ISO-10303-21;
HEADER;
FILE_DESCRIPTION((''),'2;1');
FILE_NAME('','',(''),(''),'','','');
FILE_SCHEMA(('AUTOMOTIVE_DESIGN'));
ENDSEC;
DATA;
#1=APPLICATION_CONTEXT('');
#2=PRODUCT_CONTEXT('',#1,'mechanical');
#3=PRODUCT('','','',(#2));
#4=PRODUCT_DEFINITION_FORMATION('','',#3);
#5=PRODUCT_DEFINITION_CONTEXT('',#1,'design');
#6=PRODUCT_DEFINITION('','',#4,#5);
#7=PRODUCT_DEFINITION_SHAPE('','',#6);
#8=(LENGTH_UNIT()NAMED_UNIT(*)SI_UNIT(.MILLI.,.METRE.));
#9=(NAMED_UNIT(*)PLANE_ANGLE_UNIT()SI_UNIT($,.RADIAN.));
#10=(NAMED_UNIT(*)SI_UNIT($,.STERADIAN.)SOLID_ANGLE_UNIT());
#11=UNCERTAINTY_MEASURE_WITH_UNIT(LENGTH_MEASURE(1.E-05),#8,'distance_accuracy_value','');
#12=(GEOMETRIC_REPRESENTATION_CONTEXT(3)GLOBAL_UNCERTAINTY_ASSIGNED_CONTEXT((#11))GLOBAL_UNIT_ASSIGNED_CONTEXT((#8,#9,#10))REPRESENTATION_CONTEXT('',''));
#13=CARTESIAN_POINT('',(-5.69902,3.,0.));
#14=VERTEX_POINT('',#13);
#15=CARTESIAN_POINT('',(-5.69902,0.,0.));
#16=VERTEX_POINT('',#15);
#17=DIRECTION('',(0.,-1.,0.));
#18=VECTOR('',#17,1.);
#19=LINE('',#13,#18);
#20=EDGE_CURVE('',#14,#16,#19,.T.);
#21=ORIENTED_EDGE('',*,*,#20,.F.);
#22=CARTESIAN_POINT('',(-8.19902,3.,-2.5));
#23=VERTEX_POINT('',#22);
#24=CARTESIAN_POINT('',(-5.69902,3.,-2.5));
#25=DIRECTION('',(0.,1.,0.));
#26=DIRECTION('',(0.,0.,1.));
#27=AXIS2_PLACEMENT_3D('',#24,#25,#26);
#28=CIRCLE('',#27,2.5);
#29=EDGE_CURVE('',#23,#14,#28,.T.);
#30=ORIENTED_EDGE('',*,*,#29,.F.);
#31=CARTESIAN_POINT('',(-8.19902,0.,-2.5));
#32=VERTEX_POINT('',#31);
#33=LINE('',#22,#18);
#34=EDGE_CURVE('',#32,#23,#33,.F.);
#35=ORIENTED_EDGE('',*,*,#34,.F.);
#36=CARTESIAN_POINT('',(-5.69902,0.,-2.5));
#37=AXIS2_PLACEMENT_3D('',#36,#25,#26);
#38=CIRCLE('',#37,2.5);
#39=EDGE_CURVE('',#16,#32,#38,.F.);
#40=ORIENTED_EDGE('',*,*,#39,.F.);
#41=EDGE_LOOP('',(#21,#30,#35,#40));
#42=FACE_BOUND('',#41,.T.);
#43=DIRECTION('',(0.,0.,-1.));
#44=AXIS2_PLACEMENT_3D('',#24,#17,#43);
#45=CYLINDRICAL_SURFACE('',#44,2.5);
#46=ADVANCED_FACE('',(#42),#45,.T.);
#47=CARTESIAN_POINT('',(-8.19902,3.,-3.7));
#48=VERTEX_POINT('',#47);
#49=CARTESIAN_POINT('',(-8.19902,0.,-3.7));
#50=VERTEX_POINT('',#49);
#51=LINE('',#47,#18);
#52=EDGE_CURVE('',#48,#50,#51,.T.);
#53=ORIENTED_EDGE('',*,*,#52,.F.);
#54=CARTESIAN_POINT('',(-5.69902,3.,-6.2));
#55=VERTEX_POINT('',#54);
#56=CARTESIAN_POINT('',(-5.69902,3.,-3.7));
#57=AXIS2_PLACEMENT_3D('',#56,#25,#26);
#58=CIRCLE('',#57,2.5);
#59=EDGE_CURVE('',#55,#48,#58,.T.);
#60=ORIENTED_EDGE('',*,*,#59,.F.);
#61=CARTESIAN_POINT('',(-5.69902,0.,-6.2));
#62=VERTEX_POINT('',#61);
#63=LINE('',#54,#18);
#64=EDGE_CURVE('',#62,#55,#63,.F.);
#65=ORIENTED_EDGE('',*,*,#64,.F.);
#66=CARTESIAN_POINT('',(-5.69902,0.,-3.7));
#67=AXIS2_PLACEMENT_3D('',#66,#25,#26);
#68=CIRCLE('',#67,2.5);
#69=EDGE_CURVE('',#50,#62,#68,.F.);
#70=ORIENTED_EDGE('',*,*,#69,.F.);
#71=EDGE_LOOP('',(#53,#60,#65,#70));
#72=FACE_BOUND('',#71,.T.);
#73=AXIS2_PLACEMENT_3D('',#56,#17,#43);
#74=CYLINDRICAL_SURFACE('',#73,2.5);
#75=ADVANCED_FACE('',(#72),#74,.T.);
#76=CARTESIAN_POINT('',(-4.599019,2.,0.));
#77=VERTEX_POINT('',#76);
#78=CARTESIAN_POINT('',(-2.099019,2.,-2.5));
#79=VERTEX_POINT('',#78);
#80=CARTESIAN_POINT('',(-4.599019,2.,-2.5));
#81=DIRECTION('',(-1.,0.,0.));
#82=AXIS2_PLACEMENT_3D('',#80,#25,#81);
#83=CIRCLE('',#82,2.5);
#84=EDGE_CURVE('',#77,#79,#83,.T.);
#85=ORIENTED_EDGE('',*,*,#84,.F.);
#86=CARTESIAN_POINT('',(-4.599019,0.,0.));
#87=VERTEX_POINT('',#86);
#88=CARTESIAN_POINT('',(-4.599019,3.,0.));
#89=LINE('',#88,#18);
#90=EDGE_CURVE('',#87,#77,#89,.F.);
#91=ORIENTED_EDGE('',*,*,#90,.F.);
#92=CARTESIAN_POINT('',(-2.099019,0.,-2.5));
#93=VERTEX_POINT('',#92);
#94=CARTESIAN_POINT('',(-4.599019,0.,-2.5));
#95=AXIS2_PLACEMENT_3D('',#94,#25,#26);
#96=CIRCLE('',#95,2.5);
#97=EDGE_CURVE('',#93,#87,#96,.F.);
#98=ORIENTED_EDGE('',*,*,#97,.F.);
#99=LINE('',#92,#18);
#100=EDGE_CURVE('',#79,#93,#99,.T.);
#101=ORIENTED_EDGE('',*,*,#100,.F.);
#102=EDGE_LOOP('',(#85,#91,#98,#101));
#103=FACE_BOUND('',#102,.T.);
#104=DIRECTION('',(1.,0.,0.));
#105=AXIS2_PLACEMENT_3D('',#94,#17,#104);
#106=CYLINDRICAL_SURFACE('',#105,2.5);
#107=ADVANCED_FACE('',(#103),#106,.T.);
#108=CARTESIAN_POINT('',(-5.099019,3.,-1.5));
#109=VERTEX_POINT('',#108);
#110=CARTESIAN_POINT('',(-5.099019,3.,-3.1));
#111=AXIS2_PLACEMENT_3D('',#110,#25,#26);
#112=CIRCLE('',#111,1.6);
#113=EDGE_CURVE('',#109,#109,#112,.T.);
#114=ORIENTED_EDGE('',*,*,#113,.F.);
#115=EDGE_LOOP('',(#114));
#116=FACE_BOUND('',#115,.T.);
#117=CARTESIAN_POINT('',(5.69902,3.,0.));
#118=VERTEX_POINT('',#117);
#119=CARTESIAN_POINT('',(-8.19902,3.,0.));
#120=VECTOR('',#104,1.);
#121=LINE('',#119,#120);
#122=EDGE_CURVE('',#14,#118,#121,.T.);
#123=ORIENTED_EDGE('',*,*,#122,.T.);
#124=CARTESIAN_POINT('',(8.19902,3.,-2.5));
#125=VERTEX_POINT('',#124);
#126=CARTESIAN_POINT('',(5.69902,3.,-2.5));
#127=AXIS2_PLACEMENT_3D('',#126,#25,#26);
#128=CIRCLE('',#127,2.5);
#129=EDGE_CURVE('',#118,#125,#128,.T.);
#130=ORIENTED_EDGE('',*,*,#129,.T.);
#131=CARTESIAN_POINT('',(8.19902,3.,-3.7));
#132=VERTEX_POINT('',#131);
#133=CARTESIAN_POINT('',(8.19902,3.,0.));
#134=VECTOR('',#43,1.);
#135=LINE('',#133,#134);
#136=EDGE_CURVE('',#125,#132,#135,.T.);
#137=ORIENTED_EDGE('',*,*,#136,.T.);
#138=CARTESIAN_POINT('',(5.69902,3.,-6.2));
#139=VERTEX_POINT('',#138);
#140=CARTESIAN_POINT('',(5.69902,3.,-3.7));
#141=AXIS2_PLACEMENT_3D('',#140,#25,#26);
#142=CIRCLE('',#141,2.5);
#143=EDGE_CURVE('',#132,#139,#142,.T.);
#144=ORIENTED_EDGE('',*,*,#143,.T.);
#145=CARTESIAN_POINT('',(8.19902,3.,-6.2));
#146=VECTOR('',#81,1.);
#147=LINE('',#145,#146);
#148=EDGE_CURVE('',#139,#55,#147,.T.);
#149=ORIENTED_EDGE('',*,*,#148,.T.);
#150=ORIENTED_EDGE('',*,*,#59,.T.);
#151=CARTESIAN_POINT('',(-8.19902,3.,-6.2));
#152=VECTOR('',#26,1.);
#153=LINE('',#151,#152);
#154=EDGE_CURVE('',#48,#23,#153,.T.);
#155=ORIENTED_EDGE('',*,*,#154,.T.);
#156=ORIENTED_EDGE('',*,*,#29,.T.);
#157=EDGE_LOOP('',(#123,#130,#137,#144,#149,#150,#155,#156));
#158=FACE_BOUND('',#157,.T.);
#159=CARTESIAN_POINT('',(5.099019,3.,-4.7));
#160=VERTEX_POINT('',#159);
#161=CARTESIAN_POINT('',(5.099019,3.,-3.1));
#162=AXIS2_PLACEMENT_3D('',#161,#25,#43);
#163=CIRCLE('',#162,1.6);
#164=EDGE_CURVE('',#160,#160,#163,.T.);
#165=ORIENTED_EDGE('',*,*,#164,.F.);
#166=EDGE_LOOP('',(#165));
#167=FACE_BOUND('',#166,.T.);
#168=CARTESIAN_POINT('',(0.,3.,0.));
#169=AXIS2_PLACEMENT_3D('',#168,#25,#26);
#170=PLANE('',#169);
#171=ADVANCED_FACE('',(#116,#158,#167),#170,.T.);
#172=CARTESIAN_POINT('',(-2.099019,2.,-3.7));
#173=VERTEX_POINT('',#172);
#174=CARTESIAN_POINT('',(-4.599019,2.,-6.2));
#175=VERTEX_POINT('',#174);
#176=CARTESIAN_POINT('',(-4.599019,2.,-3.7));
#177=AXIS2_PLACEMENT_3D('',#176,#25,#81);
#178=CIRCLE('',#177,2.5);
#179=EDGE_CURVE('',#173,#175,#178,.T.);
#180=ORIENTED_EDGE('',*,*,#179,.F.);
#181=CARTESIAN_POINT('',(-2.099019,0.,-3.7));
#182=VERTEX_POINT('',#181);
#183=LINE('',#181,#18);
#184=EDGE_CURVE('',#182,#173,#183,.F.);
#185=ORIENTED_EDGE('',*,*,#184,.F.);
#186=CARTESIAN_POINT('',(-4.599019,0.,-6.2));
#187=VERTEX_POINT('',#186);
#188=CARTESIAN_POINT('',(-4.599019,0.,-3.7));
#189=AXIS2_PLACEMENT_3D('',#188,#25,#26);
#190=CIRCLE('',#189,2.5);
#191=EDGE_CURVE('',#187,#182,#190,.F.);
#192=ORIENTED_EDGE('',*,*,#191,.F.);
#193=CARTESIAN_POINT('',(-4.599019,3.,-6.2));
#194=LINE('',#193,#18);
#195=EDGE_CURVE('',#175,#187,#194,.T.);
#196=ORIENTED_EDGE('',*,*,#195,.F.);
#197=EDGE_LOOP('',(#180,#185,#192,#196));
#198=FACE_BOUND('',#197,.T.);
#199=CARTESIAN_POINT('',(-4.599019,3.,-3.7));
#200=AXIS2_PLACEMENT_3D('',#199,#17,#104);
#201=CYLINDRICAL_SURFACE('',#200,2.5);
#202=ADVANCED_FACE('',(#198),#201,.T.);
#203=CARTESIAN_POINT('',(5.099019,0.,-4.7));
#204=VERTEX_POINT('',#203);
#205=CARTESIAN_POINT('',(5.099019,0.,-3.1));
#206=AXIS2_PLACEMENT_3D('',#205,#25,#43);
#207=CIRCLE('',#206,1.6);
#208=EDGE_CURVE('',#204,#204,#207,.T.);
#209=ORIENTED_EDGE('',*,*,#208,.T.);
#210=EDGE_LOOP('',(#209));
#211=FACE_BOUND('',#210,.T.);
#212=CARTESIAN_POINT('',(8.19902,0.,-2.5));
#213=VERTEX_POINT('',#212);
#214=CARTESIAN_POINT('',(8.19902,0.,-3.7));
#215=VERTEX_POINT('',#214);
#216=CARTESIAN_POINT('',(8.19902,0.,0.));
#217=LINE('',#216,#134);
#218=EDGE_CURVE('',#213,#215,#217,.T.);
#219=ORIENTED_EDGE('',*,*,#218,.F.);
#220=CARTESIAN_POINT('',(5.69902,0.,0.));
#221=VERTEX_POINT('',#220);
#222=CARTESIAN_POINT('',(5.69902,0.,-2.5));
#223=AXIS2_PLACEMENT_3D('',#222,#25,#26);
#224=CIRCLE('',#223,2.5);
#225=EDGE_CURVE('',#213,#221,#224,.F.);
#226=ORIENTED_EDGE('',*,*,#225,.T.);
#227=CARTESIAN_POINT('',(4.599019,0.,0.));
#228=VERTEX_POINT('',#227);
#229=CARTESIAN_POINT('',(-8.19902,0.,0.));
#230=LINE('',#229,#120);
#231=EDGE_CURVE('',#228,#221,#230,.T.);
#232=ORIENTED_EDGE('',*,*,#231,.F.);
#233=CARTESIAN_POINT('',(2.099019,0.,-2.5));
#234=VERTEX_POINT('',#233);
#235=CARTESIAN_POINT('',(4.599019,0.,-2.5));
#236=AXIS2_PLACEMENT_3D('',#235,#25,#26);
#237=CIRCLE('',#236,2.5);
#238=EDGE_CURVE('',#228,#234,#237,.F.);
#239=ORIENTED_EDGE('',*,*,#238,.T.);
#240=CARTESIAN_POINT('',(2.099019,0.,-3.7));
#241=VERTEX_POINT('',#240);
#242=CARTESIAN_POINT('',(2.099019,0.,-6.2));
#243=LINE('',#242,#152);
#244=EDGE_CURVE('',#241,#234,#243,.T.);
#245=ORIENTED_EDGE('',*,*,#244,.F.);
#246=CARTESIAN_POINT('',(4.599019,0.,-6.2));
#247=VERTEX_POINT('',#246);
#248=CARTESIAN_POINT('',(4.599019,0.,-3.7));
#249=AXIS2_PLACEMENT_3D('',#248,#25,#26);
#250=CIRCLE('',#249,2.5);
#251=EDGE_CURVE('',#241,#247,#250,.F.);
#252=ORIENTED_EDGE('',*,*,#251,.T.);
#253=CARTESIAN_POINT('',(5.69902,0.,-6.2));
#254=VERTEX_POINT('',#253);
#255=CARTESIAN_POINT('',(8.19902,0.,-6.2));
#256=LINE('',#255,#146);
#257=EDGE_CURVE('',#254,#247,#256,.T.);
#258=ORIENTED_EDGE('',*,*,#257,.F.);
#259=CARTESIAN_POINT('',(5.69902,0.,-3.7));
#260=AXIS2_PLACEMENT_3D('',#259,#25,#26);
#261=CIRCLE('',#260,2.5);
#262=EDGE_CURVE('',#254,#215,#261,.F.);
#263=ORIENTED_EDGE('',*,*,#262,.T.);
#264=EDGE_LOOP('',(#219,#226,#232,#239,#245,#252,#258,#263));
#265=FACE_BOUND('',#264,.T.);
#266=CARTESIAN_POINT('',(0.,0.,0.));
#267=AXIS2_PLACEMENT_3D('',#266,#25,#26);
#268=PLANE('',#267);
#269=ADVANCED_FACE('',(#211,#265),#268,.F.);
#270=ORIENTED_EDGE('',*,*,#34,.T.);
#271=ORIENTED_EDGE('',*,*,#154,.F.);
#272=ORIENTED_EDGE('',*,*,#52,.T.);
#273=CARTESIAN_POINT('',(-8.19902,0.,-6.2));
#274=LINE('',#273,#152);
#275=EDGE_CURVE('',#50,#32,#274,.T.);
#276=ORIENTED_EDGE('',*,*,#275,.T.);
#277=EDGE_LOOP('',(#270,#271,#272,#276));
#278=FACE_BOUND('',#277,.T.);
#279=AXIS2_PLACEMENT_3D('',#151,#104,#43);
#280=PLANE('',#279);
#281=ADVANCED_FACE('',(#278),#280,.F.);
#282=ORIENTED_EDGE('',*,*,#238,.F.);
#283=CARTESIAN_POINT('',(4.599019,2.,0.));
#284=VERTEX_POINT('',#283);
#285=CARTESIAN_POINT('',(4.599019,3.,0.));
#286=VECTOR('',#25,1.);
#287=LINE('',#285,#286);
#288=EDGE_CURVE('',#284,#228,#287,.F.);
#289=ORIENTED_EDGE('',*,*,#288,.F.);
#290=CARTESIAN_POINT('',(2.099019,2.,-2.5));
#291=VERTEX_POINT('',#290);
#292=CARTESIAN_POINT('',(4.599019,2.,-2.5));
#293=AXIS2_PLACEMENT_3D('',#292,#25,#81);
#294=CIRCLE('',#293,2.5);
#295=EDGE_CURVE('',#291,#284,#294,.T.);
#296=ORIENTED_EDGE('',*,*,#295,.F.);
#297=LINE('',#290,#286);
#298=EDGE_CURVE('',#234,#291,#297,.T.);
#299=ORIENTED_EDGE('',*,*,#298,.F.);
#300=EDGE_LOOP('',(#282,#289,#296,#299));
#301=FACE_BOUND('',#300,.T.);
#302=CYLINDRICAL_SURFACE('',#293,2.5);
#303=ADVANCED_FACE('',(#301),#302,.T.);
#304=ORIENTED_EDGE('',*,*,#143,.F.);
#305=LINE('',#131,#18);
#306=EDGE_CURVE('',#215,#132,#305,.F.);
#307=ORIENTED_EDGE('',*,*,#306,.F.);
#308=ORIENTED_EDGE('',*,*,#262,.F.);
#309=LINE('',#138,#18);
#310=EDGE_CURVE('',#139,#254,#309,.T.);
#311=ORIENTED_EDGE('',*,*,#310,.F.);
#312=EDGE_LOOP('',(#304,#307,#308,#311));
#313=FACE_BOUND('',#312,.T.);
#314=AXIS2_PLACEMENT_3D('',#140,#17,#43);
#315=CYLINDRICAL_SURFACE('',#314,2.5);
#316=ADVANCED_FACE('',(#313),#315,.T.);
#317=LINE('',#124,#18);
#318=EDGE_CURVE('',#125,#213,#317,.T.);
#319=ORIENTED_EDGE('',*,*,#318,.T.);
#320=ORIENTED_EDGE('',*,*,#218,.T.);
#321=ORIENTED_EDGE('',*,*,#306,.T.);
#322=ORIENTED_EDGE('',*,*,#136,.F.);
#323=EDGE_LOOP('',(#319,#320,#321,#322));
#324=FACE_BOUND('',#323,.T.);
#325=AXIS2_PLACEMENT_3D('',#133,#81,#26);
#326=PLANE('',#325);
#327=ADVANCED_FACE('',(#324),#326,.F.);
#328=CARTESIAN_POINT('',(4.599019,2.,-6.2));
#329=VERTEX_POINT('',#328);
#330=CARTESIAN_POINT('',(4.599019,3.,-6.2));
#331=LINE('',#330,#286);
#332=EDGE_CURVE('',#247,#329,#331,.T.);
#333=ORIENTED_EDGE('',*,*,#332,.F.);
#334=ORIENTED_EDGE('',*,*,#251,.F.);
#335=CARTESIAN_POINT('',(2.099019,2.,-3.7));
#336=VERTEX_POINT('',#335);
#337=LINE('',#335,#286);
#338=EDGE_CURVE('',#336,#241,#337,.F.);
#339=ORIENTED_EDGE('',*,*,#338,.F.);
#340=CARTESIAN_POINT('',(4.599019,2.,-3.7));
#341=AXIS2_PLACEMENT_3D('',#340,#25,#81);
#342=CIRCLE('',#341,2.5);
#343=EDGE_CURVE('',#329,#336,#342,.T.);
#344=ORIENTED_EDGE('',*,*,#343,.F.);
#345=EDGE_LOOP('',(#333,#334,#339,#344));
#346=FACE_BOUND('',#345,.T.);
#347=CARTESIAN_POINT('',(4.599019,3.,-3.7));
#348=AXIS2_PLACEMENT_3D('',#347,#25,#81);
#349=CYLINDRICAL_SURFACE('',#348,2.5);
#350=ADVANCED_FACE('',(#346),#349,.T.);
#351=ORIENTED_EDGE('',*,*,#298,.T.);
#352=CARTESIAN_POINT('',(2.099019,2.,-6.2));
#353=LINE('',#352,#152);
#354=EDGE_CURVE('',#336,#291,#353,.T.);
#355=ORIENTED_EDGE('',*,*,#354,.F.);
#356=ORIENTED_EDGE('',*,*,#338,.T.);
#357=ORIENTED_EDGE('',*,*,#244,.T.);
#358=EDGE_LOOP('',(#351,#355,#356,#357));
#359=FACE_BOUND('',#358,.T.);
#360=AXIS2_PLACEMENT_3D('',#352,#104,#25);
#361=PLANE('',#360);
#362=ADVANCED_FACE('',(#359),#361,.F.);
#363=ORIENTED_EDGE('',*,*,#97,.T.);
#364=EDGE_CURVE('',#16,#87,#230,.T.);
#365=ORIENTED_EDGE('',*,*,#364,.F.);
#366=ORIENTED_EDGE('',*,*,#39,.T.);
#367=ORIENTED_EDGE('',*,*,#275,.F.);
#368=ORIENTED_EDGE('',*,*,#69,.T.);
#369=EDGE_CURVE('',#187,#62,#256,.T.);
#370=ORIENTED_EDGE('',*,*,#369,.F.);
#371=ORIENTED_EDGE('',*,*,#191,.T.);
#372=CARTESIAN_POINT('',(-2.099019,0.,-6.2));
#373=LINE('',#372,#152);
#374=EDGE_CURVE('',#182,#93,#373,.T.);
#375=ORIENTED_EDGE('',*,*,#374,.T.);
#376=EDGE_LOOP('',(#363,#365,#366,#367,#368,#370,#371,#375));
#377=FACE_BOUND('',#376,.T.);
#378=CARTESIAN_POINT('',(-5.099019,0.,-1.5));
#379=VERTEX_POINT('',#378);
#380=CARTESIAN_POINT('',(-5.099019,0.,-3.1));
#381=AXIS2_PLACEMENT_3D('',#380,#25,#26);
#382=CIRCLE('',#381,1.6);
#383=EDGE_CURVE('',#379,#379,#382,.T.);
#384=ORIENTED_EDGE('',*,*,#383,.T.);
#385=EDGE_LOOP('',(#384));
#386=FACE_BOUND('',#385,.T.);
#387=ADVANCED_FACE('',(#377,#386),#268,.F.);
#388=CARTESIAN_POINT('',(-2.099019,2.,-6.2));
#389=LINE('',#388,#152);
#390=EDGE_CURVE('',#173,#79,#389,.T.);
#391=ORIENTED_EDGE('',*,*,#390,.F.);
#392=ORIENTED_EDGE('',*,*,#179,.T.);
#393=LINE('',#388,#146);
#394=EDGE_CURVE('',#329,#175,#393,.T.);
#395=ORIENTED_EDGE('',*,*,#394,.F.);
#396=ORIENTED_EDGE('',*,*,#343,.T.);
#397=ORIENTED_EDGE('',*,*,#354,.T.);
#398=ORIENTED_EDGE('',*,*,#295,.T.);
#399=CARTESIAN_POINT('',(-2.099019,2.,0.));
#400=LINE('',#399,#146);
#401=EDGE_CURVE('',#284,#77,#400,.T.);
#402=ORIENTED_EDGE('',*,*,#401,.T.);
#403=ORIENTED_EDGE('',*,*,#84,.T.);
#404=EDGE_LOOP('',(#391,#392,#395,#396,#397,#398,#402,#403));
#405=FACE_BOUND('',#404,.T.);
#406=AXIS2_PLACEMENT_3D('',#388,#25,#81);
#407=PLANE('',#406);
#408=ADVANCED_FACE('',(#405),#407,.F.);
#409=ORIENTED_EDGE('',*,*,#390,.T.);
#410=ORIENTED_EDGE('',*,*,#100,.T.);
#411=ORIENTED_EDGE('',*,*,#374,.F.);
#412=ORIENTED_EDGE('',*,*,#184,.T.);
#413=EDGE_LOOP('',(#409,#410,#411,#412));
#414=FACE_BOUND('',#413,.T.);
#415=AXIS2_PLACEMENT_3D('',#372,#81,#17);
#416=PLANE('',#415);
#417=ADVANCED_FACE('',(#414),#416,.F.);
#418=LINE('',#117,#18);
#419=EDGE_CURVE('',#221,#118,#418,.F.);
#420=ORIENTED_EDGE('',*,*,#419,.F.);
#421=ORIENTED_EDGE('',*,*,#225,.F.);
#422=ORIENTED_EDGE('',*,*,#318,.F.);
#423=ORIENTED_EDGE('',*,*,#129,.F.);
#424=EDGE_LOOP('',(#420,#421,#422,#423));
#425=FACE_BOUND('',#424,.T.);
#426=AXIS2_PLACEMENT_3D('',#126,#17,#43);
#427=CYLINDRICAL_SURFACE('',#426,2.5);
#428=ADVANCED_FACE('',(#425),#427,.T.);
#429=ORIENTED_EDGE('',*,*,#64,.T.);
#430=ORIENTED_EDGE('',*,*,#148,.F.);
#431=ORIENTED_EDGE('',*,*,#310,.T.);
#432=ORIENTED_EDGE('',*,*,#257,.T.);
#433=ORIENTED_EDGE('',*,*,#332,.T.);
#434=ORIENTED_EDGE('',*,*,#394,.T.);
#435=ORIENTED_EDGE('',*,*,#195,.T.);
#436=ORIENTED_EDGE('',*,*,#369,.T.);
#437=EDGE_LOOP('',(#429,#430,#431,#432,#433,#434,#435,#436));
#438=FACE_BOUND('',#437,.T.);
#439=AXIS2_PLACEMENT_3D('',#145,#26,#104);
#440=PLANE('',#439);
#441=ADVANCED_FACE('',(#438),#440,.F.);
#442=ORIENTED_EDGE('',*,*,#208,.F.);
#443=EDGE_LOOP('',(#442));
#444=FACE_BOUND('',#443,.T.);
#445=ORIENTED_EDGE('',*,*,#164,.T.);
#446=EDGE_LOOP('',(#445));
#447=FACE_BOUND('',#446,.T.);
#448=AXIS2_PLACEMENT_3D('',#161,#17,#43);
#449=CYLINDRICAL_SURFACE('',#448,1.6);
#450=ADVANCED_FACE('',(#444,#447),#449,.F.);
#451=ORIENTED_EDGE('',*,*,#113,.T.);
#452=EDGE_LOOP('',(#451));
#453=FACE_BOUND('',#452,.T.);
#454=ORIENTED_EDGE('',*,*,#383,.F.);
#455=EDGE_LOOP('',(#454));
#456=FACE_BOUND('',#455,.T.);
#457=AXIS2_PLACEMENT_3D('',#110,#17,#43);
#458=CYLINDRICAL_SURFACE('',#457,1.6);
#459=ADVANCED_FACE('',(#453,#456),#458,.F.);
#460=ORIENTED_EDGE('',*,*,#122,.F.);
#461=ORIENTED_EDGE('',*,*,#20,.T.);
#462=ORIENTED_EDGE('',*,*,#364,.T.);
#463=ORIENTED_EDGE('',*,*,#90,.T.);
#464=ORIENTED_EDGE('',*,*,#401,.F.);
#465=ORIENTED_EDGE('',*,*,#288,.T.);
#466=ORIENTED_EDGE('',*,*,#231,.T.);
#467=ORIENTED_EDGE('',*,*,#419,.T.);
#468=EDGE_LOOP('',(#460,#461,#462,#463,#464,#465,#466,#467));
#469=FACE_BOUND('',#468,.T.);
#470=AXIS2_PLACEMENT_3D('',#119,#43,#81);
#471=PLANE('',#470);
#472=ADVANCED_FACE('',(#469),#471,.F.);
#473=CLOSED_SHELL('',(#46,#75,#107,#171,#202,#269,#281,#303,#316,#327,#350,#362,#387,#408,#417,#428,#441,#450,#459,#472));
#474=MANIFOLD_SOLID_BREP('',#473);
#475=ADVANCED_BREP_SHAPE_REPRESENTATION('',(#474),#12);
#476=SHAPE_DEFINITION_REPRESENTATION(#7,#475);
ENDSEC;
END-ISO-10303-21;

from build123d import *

# Parameters (mm, degrees)
SKETCH1_W           = 16.398039
SKETCH1_H           = 6.2
SKETCH1_R           = 1.6
BOSS_EXTRUDE1_DEPTH = 3
SKETCH5_W           = 4.198039
SKETCH5_H           = 2
CUT_EXTRUDE4_DEPTH  = 11.708124054
FILLET2_R           = 2.5


with BuildPart() as part:
    # Sketch1 → Boss-Extrude1 (new body)
    with BuildSketch(Plane(origin=(0, 0, 0), x_dir=(1, 0, 0), z_dir=(0, 1, 0))):
        with Locations((0, 3.1)):
            Rectangle(SKETCH1_W, SKETCH1_H)
        with Locations(Location((-5.0990195, 3.1, 0), (0, 0, 270))):
            Circle(SKETCH1_R, mode=Mode.SUBTRACT)
        with Locations(Location((5.0990195, 3.1, 0), (0, 0, 90))):
            Circle(SKETCH1_R, mode=Mode.SUBTRACT)
    extrude(amount=BOSS_EXTRUDE1_DEPTH)

    # Sketch5 → Cut-Extrude4 (cut, through all)
    with BuildSketch(Plane.XY):
        with Locations((0, 1)):
            Rectangle(SKETCH5_W, SKETCH5_H)
    extrude(amount=-CUT_EXTRUDE4_DEPTH, mode=Mode.SUBTRACT)

    # Fillet2
    fillet2_edges = [part.edges().sort_by_distance(p)[0] for p in [
        (-2.0990195, 1, -6.2),
        (2.0990195, 1, -6.2),
        (2.0990195, 1, 0),
        (-2.0990195, 1, 0),
        (-8.1990195, 1.5, -6.2),
        (8.1990195, 1.5, -6.2),
        (8.1990195, 1.5, 0),
        (-8.1990195, 1.5, 0),
    ]]
    fillet(fillet2_edges, radius=FILLET2_R)


solid = part.part
